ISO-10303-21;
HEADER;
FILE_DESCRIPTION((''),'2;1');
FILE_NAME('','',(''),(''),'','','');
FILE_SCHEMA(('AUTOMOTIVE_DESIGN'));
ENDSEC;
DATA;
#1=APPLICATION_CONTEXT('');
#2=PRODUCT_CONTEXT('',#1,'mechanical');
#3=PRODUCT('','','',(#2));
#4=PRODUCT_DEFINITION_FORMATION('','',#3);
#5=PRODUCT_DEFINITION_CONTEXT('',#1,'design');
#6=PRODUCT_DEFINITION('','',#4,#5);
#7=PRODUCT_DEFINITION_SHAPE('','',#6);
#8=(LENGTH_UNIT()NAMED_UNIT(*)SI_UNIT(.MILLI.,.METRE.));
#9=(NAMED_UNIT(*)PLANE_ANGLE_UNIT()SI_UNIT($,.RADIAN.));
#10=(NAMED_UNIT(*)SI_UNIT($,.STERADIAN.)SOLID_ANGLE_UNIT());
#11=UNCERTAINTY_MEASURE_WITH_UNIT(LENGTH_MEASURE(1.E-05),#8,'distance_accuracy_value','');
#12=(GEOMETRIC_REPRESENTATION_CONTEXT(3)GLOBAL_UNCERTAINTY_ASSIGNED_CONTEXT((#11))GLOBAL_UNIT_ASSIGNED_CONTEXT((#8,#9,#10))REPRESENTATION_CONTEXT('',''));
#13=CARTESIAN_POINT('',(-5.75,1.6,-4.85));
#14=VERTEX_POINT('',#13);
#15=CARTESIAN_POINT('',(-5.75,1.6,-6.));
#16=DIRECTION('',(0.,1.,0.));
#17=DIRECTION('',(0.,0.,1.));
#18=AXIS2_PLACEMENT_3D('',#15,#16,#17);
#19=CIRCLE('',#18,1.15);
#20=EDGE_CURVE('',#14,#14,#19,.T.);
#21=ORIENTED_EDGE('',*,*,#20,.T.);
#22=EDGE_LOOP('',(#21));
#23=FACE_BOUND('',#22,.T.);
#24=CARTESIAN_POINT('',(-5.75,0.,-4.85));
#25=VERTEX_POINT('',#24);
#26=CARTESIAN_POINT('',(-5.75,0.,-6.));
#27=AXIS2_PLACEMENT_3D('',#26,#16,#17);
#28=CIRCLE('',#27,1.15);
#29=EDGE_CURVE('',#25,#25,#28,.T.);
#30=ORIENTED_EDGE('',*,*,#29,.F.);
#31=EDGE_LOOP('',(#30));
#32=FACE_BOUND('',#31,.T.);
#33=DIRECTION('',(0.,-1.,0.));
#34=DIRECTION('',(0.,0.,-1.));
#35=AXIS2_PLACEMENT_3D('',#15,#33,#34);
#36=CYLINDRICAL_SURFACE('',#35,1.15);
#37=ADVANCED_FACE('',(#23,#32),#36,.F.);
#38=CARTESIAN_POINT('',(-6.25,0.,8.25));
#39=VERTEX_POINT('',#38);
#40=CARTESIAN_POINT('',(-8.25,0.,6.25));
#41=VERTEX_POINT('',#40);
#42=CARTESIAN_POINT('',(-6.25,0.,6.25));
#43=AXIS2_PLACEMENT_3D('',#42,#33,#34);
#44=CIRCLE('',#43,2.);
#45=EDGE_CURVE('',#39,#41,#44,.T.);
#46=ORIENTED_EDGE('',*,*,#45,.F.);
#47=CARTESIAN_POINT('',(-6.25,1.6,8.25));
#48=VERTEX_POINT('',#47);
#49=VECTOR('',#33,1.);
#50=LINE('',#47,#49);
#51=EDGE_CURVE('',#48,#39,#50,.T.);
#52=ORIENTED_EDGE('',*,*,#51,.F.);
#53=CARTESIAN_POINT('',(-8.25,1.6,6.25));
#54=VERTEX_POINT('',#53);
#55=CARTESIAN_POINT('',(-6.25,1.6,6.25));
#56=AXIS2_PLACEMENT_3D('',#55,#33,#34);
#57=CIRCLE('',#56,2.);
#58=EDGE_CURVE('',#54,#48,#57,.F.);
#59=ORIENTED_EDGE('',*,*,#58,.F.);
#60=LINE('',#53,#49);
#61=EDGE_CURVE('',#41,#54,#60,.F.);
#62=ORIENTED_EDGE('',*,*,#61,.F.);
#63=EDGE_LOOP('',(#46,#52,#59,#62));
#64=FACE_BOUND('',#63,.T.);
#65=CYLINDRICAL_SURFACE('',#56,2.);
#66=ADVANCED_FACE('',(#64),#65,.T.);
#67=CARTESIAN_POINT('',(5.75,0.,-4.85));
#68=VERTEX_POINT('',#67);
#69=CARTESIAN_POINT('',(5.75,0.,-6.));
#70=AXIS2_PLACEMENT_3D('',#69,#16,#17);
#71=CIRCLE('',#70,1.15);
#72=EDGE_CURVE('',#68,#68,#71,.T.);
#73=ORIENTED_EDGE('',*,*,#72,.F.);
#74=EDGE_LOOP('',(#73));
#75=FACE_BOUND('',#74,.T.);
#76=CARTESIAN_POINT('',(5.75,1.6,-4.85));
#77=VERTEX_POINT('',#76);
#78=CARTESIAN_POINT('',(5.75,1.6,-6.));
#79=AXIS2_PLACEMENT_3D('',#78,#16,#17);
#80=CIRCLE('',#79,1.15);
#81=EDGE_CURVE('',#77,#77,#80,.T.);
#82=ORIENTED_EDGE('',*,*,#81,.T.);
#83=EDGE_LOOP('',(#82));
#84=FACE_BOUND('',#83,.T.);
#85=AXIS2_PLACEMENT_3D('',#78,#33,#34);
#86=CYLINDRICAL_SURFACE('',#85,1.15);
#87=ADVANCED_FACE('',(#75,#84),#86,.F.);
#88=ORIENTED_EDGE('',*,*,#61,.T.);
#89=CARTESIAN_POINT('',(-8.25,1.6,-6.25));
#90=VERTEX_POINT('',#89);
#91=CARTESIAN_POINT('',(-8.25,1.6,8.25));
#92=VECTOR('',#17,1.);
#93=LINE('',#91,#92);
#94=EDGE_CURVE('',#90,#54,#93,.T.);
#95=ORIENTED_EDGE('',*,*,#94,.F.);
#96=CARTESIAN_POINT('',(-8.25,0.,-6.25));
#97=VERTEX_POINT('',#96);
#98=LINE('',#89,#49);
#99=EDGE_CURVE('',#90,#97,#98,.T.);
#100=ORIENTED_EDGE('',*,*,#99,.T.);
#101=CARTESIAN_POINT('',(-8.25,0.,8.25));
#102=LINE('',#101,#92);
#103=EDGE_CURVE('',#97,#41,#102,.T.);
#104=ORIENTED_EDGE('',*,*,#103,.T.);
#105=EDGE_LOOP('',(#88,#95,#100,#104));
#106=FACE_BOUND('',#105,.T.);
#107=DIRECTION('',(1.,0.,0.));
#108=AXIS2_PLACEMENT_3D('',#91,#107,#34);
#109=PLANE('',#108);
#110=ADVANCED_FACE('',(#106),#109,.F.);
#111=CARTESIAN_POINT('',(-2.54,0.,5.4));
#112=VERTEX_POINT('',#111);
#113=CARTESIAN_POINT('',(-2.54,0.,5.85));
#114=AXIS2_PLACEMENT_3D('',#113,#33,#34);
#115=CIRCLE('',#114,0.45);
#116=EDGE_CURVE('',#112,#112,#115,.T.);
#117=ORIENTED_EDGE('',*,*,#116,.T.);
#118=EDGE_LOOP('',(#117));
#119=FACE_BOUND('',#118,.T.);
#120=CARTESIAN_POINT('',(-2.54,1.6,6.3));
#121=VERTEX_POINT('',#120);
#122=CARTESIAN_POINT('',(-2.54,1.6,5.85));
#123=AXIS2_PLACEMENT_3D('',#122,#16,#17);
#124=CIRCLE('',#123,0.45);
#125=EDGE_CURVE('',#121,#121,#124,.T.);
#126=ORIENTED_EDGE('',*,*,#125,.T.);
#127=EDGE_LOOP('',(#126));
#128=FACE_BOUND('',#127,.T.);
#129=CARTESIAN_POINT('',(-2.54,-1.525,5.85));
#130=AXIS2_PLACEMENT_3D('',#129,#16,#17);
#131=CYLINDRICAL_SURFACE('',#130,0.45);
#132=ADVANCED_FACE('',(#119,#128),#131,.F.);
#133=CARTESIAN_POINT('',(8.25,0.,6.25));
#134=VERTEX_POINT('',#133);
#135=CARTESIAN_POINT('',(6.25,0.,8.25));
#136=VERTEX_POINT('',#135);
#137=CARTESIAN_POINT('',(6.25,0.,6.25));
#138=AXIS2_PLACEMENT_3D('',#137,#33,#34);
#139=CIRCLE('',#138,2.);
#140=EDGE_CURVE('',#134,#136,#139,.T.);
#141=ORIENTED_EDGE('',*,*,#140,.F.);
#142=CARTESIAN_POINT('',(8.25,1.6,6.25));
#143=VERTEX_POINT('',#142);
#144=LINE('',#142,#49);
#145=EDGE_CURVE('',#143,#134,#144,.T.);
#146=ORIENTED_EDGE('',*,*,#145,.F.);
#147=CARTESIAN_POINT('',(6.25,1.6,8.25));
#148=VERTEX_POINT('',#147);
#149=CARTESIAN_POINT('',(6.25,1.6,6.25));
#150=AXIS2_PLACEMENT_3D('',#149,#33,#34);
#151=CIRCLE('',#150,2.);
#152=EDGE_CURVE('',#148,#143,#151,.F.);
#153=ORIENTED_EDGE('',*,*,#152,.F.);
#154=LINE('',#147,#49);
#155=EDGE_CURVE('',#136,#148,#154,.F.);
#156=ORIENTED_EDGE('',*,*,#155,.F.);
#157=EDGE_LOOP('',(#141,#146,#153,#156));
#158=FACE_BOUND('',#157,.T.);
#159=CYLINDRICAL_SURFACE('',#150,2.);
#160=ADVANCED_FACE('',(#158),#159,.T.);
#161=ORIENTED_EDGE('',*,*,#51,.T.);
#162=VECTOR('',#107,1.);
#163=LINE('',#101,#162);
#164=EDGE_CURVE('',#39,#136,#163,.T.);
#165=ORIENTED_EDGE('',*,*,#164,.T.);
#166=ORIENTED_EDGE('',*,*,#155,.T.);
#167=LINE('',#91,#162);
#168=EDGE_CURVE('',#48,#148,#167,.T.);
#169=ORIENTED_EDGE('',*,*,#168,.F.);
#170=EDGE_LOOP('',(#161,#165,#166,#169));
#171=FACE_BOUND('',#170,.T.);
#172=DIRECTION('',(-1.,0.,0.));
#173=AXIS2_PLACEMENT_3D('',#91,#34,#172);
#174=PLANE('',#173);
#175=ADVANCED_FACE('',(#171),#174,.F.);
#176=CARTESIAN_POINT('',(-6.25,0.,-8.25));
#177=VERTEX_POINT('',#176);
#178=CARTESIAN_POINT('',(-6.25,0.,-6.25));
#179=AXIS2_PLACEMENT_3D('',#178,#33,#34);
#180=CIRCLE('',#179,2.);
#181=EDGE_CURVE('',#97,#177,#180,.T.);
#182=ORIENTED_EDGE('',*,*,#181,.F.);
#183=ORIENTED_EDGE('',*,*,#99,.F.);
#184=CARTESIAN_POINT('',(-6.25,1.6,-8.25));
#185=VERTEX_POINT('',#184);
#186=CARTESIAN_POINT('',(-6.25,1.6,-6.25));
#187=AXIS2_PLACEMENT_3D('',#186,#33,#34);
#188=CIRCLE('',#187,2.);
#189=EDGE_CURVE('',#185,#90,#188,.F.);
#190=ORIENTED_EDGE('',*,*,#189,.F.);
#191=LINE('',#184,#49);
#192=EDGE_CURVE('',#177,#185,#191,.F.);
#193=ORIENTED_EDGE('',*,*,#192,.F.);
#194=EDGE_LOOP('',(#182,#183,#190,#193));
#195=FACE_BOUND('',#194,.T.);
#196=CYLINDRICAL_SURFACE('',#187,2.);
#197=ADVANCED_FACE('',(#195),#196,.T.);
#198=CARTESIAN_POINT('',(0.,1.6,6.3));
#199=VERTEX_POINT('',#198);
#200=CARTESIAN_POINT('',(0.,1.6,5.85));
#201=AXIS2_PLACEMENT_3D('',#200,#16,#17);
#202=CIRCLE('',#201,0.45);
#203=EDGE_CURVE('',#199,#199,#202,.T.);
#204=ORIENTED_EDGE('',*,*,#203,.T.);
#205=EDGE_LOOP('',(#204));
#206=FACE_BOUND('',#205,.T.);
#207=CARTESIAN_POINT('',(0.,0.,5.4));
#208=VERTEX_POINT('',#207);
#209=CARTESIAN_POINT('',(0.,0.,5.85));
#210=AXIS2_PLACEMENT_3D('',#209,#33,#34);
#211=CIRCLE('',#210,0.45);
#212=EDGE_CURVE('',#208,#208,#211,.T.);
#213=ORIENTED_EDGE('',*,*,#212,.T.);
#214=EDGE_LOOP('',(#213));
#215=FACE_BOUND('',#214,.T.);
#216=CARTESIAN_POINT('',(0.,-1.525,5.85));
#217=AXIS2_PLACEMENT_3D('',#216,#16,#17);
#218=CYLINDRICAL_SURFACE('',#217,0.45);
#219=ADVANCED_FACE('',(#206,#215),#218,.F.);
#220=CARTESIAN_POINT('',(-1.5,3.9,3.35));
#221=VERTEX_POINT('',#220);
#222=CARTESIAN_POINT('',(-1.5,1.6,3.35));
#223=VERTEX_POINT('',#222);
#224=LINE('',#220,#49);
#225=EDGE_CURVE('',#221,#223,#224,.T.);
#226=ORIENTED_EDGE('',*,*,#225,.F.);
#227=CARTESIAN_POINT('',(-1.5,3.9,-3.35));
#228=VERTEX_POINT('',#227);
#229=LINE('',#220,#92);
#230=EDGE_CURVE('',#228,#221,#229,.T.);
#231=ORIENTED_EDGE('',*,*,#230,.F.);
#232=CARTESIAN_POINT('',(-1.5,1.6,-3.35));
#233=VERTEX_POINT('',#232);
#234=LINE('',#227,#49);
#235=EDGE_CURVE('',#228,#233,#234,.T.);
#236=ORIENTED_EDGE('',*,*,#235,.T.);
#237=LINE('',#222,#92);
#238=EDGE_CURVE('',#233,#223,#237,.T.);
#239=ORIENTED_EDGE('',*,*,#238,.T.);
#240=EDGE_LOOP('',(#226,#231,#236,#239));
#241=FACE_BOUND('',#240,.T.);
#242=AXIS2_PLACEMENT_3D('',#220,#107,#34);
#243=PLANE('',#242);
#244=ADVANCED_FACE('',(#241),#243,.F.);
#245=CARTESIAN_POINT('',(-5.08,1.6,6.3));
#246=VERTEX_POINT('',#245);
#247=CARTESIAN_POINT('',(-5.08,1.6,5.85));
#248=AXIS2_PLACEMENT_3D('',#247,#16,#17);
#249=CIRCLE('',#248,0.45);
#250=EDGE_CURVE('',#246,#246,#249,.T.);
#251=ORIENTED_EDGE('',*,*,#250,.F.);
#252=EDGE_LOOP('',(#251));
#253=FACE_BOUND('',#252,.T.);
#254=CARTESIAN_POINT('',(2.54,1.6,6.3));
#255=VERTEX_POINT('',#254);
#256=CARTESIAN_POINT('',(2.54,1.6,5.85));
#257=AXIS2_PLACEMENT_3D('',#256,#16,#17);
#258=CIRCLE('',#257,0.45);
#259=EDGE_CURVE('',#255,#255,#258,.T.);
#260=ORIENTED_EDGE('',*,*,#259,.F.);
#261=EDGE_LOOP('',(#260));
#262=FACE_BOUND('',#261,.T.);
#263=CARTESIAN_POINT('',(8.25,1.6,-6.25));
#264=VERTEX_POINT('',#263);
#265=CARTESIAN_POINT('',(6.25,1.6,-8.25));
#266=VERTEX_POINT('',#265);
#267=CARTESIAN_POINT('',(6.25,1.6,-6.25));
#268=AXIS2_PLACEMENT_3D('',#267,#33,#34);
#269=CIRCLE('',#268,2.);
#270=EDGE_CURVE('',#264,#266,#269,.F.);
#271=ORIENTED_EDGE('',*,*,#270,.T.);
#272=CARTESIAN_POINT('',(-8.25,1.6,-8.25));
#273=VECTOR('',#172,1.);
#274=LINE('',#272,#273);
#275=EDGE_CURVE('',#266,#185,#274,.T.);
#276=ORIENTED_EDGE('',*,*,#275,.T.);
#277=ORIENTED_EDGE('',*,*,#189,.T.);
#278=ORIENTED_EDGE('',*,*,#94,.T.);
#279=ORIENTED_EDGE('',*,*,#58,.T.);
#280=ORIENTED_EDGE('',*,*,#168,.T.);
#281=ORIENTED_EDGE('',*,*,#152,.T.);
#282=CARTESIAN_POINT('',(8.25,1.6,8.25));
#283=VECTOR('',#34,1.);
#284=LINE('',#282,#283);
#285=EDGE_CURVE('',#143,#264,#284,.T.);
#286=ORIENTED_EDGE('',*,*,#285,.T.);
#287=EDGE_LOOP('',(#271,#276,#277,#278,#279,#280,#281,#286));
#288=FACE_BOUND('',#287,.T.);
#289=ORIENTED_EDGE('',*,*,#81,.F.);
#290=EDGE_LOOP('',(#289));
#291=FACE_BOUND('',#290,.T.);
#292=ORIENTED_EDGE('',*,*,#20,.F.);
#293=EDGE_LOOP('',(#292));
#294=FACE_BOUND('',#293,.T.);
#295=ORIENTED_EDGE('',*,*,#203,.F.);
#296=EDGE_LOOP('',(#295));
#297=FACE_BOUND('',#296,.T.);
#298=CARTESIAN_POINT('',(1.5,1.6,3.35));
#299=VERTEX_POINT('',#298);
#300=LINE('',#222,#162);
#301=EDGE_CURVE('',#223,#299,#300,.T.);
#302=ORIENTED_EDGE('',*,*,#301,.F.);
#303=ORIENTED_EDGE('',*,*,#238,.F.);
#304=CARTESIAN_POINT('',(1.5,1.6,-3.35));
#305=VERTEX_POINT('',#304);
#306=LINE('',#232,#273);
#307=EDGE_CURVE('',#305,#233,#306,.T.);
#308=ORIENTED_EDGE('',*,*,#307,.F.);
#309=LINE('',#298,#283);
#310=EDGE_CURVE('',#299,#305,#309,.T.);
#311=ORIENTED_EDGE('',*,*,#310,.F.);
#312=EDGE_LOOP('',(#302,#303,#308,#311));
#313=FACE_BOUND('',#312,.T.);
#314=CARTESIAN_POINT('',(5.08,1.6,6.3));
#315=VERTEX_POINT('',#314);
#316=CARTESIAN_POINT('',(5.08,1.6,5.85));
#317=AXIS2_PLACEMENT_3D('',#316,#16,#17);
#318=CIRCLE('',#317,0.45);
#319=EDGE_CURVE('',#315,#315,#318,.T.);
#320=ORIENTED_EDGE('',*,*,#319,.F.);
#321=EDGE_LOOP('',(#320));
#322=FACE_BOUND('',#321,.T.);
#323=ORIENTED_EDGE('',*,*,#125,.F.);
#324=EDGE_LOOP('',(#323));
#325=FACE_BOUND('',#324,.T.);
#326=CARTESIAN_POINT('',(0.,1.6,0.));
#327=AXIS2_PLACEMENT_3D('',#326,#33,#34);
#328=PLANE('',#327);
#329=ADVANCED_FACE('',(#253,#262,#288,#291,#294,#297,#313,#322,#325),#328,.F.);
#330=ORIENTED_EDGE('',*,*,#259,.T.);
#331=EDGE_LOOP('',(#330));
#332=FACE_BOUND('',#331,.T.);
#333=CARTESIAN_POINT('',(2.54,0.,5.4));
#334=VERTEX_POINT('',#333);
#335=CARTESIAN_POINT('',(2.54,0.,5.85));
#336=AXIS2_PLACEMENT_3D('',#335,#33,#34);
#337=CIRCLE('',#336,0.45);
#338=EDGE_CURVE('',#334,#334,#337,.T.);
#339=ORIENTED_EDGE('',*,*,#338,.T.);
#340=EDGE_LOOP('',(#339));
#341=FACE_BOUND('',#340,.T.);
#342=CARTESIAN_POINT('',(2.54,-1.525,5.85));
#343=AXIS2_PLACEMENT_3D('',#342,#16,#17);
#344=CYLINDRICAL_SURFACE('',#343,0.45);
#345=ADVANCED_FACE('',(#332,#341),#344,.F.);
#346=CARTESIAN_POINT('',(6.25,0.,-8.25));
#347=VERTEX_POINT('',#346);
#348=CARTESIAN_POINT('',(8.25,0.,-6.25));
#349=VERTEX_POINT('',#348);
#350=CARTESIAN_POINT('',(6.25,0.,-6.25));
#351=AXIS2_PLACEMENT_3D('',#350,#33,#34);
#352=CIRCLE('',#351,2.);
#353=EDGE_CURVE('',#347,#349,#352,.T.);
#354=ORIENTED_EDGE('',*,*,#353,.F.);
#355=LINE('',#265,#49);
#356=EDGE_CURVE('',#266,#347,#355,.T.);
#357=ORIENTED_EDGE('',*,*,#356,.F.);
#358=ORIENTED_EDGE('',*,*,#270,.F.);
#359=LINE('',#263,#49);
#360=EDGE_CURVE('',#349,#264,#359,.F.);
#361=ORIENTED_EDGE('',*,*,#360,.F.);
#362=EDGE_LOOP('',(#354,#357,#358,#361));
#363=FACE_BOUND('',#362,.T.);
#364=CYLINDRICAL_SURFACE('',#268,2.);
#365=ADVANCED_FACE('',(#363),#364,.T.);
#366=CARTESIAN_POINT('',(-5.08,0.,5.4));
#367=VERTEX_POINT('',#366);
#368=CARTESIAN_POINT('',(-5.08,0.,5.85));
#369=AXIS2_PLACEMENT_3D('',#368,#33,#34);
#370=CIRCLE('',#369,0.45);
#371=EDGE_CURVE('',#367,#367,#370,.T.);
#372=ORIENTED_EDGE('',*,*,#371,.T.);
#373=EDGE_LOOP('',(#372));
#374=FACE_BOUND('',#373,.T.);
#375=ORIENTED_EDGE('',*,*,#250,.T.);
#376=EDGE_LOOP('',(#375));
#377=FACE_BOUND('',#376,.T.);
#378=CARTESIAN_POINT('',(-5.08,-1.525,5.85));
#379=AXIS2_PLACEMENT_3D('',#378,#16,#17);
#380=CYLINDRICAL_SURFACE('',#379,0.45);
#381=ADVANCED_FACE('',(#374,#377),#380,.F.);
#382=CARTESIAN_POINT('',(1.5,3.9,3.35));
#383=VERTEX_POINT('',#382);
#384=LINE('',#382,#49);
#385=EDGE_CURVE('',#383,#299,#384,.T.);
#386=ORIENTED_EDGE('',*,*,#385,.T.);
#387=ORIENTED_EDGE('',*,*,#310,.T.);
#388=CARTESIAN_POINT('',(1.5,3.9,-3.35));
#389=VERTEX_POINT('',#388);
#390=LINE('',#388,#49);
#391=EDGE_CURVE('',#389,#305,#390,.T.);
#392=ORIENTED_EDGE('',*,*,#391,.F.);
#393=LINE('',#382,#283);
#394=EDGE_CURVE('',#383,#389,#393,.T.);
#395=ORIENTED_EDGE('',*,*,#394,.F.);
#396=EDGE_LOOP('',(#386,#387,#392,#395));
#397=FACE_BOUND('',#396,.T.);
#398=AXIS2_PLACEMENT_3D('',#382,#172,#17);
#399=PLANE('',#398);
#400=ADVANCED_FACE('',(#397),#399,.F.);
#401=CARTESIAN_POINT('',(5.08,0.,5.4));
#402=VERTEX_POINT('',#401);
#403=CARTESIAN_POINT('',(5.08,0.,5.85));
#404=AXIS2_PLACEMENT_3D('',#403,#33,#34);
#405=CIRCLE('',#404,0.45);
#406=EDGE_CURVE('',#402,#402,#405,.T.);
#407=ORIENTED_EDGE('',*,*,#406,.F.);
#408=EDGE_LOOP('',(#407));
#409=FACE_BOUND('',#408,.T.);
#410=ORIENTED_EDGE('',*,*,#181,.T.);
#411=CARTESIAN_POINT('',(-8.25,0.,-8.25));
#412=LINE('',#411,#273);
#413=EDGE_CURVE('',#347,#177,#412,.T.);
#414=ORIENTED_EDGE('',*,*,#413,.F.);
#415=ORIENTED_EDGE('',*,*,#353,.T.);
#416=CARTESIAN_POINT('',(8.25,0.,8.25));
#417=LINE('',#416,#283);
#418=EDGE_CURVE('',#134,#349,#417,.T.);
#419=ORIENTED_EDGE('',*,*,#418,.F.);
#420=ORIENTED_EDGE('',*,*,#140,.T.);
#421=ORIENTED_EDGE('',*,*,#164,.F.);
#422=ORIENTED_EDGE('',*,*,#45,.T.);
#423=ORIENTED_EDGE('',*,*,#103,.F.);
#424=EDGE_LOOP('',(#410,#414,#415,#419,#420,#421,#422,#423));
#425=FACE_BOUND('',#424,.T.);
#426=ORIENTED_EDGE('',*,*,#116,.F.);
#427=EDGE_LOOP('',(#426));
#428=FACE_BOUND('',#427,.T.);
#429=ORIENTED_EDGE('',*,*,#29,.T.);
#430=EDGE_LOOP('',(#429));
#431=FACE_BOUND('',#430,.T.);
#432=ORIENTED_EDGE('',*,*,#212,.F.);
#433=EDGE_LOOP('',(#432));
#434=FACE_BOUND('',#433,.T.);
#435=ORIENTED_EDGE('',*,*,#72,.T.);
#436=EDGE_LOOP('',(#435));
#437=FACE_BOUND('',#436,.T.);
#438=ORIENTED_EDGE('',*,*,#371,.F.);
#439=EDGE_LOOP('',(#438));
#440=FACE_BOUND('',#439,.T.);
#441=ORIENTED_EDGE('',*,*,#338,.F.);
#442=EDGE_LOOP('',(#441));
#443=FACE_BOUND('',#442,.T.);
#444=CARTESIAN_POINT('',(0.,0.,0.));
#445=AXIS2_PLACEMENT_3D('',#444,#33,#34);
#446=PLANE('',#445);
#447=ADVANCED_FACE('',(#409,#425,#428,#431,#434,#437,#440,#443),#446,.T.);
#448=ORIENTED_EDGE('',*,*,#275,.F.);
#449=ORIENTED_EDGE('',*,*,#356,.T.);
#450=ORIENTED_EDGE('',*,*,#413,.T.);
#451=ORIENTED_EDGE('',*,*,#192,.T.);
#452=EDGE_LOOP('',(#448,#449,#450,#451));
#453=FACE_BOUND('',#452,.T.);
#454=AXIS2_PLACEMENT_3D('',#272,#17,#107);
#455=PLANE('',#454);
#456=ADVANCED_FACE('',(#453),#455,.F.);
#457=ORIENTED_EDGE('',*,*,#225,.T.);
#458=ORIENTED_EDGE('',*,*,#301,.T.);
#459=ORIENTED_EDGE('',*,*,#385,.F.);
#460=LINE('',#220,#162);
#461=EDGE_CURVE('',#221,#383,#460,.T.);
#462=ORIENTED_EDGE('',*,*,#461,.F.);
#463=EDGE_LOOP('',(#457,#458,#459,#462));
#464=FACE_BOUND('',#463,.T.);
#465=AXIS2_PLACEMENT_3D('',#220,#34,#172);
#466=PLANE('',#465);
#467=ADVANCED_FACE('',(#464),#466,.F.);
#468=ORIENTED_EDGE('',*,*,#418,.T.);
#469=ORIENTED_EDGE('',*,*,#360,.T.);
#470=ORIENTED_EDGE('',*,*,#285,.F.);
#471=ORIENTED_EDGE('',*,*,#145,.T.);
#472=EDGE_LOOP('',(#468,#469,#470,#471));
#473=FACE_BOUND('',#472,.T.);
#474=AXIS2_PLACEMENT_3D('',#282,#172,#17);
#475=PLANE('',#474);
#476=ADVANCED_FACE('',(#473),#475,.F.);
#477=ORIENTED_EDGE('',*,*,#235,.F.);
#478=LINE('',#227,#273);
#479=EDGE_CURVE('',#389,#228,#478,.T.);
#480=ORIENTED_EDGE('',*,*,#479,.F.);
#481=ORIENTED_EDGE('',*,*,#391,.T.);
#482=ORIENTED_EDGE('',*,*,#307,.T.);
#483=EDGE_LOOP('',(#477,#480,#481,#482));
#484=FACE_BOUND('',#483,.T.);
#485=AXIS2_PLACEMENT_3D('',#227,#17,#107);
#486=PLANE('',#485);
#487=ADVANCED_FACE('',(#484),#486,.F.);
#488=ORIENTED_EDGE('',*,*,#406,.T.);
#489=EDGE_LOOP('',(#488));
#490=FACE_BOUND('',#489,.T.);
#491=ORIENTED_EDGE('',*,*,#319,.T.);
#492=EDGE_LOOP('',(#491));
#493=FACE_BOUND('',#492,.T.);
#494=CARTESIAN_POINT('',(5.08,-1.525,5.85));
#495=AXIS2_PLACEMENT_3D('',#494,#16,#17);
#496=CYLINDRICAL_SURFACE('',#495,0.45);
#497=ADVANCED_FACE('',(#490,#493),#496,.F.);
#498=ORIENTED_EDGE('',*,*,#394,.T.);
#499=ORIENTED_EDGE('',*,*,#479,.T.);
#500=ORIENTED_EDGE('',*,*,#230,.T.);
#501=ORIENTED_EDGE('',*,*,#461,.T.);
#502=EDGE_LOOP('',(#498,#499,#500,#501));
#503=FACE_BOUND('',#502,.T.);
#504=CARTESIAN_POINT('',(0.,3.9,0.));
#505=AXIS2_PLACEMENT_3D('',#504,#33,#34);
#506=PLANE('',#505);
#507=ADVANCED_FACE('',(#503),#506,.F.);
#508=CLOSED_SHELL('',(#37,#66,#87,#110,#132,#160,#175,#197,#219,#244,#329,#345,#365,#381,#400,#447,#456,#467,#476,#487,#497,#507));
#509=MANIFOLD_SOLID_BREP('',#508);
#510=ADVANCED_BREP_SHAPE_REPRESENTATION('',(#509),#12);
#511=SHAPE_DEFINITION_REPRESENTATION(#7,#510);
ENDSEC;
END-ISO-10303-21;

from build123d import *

# Parameters (mm, degrees)
SKETCH1_W           = 16.5
SKETCH1_H           = 16.5
SKETCH1_R           = 1.15
BOSS_EXTRUDE1_DEPTH = 1.6
SKETCH2_W           = 3
SKETCH2_H           = 6.7
BOSS_EXTRUDE2_DEPTH = 2.3
BOSS_EXTRUDE4_DEPTH = 0.3
LPATTERN1_COUNT     = 3
LPATTERN1_PITCH     = 2.54
LPATTERN1_2_COUNT   = 3
LPATTERN1_2_PITCH   = 2.54
SKETCH6_R           = 0.45
CUT_EXTRUDE1_DEPTH  = 18.878216494
FILLET1_R           = 2


with BuildPart() as part:
    # Sketch1 → Boss-Extrude1 (new body)
    with BuildSketch(Plane(origin=(0, 0, 0), x_dir=(1, 0, 0), z_dir=(0, 1, 0))):
        Rectangle(SKETCH1_W, SKETCH1_H)
        with Locations(Location((-5.75, 6, 0), (0, 0, 270))):
            Circle(SKETCH1_R, mode=Mode.SUBTRACT)
        with Locations(Location((5.75, 6, 0), (0, 0, 270))):
            Circle(SKETCH1_R, mode=Mode.SUBTRACT)
    extrude(amount=BOSS_EXTRUDE1_DEPTH)

    # Sketch2 → Boss-Extrude2 (add)
    with BuildSketch(Plane(origin=(0, 1.6, 0), x_dir=(1, 0, 0), z_dir=(0, 1, 0))):
        Rectangle(SKETCH2_W, SKETCH2_H)
    extrude(amount=BOSS_EXTRUDE2_DEPTH)

    # Sketch6 → Cut-Extrude1 (cut, through all)
    with BuildSketch(Plane(origin=(0, 1.6, 0), x_dir=(1, 0, 0), z_dir=(0, 1, 0))):
        with Locations(Location((-5.08, -5.85, 0), (0, 0, 270))):
            Circle(SKETCH6_R)
        with Locations(Location((-2.54, -5.85, 0), (0, 0, 270))):
            Circle(SKETCH6_R)
        with Locations(Location((0, -5.85, 0), (0, 0, 270))):
            Circle(SKETCH6_R)
        with Locations(Location((2.54, -5.85, 0), (0, 0, 270))):
            Circle(SKETCH6_R)
        with Locations(Location((5.08, -5.85, 0), (0, 0, 270))):
            Circle(SKETCH6_R)
    extrude(amount=-CUT_EXTRUDE1_DEPTH, mode=Mode.SUBTRACT)

    # Fillet1
    fillet1_edges = [part.edges().sort_by_distance(p)[0] for p in [
        (8.25, 0.8, 8.25),
        (-8.25, 0.8, 8.25),
        (-8.25, 0.8, -8.25),
        (8.25, 0.8, -8.25),
    ]]
    fillet(fillet1_edges, radius=FILLET1_R)


with BuildPart() as body_2:
    # Sketch4 → Boss-Extrude4 (new, symmetric)
    with BuildSketch(Plane(origin=(0, 0, 0), x_dir=(0, 0, -1), z_dir=(1, 0, 0))):
        with BuildLine():
            Line((-6.15, 0), (-6.15, -0.425))
            ThreePointArc((-6.15, -0.425), (-6.296446609, -0.778553391), (-6.65, -0.925))
            Line((-6.65, -0.925), (-15.55, -0.925))
            Line((-15.55, -0.925), (-15.55, -1.525))
            Line((-15.55, -1.525), (-6.65, -1.525))
            ThreePointArc((-6.65, -1.525), (-5.872182541, -1.202817459), (-5.55, -0.425))
            Line((-5.55, -0.425), (-5.55, 0))
            Line((-5.55, 0), (-6.15, 0))
        make_face()
    extrude(amount=BOSS_EXTRUDE4_DEPTH, both=True)


with BuildPart() as lpattern1_1:
    # LPattern1: pattern copy
    add(body_2.part.moved(Location(Vector(1, 0, 0) * (1 * LPATTERN1_PITCH))))


with BuildPart() as lpattern1_2:
    # LPattern1: pattern copy
    add(body_2.part.moved(Location(Vector(1, 0, 0) * (2 * LPATTERN1_PITCH))))


with BuildPart() as lpattern1_2_1:
    # LPattern1 2: pattern copy
    add(body_2.part.moved(Location(Vector(-1, 0, 0) * (1 * LPATTERN1_2_PITCH))))


with BuildPart() as lpattern1_2_2:
    # LPattern1 2: pattern copy
    add(body_2.part.moved(Location(Vector(-1, 0, 0) * (2 * LPATTERN1_2_PITCH))))


solid = part.part
